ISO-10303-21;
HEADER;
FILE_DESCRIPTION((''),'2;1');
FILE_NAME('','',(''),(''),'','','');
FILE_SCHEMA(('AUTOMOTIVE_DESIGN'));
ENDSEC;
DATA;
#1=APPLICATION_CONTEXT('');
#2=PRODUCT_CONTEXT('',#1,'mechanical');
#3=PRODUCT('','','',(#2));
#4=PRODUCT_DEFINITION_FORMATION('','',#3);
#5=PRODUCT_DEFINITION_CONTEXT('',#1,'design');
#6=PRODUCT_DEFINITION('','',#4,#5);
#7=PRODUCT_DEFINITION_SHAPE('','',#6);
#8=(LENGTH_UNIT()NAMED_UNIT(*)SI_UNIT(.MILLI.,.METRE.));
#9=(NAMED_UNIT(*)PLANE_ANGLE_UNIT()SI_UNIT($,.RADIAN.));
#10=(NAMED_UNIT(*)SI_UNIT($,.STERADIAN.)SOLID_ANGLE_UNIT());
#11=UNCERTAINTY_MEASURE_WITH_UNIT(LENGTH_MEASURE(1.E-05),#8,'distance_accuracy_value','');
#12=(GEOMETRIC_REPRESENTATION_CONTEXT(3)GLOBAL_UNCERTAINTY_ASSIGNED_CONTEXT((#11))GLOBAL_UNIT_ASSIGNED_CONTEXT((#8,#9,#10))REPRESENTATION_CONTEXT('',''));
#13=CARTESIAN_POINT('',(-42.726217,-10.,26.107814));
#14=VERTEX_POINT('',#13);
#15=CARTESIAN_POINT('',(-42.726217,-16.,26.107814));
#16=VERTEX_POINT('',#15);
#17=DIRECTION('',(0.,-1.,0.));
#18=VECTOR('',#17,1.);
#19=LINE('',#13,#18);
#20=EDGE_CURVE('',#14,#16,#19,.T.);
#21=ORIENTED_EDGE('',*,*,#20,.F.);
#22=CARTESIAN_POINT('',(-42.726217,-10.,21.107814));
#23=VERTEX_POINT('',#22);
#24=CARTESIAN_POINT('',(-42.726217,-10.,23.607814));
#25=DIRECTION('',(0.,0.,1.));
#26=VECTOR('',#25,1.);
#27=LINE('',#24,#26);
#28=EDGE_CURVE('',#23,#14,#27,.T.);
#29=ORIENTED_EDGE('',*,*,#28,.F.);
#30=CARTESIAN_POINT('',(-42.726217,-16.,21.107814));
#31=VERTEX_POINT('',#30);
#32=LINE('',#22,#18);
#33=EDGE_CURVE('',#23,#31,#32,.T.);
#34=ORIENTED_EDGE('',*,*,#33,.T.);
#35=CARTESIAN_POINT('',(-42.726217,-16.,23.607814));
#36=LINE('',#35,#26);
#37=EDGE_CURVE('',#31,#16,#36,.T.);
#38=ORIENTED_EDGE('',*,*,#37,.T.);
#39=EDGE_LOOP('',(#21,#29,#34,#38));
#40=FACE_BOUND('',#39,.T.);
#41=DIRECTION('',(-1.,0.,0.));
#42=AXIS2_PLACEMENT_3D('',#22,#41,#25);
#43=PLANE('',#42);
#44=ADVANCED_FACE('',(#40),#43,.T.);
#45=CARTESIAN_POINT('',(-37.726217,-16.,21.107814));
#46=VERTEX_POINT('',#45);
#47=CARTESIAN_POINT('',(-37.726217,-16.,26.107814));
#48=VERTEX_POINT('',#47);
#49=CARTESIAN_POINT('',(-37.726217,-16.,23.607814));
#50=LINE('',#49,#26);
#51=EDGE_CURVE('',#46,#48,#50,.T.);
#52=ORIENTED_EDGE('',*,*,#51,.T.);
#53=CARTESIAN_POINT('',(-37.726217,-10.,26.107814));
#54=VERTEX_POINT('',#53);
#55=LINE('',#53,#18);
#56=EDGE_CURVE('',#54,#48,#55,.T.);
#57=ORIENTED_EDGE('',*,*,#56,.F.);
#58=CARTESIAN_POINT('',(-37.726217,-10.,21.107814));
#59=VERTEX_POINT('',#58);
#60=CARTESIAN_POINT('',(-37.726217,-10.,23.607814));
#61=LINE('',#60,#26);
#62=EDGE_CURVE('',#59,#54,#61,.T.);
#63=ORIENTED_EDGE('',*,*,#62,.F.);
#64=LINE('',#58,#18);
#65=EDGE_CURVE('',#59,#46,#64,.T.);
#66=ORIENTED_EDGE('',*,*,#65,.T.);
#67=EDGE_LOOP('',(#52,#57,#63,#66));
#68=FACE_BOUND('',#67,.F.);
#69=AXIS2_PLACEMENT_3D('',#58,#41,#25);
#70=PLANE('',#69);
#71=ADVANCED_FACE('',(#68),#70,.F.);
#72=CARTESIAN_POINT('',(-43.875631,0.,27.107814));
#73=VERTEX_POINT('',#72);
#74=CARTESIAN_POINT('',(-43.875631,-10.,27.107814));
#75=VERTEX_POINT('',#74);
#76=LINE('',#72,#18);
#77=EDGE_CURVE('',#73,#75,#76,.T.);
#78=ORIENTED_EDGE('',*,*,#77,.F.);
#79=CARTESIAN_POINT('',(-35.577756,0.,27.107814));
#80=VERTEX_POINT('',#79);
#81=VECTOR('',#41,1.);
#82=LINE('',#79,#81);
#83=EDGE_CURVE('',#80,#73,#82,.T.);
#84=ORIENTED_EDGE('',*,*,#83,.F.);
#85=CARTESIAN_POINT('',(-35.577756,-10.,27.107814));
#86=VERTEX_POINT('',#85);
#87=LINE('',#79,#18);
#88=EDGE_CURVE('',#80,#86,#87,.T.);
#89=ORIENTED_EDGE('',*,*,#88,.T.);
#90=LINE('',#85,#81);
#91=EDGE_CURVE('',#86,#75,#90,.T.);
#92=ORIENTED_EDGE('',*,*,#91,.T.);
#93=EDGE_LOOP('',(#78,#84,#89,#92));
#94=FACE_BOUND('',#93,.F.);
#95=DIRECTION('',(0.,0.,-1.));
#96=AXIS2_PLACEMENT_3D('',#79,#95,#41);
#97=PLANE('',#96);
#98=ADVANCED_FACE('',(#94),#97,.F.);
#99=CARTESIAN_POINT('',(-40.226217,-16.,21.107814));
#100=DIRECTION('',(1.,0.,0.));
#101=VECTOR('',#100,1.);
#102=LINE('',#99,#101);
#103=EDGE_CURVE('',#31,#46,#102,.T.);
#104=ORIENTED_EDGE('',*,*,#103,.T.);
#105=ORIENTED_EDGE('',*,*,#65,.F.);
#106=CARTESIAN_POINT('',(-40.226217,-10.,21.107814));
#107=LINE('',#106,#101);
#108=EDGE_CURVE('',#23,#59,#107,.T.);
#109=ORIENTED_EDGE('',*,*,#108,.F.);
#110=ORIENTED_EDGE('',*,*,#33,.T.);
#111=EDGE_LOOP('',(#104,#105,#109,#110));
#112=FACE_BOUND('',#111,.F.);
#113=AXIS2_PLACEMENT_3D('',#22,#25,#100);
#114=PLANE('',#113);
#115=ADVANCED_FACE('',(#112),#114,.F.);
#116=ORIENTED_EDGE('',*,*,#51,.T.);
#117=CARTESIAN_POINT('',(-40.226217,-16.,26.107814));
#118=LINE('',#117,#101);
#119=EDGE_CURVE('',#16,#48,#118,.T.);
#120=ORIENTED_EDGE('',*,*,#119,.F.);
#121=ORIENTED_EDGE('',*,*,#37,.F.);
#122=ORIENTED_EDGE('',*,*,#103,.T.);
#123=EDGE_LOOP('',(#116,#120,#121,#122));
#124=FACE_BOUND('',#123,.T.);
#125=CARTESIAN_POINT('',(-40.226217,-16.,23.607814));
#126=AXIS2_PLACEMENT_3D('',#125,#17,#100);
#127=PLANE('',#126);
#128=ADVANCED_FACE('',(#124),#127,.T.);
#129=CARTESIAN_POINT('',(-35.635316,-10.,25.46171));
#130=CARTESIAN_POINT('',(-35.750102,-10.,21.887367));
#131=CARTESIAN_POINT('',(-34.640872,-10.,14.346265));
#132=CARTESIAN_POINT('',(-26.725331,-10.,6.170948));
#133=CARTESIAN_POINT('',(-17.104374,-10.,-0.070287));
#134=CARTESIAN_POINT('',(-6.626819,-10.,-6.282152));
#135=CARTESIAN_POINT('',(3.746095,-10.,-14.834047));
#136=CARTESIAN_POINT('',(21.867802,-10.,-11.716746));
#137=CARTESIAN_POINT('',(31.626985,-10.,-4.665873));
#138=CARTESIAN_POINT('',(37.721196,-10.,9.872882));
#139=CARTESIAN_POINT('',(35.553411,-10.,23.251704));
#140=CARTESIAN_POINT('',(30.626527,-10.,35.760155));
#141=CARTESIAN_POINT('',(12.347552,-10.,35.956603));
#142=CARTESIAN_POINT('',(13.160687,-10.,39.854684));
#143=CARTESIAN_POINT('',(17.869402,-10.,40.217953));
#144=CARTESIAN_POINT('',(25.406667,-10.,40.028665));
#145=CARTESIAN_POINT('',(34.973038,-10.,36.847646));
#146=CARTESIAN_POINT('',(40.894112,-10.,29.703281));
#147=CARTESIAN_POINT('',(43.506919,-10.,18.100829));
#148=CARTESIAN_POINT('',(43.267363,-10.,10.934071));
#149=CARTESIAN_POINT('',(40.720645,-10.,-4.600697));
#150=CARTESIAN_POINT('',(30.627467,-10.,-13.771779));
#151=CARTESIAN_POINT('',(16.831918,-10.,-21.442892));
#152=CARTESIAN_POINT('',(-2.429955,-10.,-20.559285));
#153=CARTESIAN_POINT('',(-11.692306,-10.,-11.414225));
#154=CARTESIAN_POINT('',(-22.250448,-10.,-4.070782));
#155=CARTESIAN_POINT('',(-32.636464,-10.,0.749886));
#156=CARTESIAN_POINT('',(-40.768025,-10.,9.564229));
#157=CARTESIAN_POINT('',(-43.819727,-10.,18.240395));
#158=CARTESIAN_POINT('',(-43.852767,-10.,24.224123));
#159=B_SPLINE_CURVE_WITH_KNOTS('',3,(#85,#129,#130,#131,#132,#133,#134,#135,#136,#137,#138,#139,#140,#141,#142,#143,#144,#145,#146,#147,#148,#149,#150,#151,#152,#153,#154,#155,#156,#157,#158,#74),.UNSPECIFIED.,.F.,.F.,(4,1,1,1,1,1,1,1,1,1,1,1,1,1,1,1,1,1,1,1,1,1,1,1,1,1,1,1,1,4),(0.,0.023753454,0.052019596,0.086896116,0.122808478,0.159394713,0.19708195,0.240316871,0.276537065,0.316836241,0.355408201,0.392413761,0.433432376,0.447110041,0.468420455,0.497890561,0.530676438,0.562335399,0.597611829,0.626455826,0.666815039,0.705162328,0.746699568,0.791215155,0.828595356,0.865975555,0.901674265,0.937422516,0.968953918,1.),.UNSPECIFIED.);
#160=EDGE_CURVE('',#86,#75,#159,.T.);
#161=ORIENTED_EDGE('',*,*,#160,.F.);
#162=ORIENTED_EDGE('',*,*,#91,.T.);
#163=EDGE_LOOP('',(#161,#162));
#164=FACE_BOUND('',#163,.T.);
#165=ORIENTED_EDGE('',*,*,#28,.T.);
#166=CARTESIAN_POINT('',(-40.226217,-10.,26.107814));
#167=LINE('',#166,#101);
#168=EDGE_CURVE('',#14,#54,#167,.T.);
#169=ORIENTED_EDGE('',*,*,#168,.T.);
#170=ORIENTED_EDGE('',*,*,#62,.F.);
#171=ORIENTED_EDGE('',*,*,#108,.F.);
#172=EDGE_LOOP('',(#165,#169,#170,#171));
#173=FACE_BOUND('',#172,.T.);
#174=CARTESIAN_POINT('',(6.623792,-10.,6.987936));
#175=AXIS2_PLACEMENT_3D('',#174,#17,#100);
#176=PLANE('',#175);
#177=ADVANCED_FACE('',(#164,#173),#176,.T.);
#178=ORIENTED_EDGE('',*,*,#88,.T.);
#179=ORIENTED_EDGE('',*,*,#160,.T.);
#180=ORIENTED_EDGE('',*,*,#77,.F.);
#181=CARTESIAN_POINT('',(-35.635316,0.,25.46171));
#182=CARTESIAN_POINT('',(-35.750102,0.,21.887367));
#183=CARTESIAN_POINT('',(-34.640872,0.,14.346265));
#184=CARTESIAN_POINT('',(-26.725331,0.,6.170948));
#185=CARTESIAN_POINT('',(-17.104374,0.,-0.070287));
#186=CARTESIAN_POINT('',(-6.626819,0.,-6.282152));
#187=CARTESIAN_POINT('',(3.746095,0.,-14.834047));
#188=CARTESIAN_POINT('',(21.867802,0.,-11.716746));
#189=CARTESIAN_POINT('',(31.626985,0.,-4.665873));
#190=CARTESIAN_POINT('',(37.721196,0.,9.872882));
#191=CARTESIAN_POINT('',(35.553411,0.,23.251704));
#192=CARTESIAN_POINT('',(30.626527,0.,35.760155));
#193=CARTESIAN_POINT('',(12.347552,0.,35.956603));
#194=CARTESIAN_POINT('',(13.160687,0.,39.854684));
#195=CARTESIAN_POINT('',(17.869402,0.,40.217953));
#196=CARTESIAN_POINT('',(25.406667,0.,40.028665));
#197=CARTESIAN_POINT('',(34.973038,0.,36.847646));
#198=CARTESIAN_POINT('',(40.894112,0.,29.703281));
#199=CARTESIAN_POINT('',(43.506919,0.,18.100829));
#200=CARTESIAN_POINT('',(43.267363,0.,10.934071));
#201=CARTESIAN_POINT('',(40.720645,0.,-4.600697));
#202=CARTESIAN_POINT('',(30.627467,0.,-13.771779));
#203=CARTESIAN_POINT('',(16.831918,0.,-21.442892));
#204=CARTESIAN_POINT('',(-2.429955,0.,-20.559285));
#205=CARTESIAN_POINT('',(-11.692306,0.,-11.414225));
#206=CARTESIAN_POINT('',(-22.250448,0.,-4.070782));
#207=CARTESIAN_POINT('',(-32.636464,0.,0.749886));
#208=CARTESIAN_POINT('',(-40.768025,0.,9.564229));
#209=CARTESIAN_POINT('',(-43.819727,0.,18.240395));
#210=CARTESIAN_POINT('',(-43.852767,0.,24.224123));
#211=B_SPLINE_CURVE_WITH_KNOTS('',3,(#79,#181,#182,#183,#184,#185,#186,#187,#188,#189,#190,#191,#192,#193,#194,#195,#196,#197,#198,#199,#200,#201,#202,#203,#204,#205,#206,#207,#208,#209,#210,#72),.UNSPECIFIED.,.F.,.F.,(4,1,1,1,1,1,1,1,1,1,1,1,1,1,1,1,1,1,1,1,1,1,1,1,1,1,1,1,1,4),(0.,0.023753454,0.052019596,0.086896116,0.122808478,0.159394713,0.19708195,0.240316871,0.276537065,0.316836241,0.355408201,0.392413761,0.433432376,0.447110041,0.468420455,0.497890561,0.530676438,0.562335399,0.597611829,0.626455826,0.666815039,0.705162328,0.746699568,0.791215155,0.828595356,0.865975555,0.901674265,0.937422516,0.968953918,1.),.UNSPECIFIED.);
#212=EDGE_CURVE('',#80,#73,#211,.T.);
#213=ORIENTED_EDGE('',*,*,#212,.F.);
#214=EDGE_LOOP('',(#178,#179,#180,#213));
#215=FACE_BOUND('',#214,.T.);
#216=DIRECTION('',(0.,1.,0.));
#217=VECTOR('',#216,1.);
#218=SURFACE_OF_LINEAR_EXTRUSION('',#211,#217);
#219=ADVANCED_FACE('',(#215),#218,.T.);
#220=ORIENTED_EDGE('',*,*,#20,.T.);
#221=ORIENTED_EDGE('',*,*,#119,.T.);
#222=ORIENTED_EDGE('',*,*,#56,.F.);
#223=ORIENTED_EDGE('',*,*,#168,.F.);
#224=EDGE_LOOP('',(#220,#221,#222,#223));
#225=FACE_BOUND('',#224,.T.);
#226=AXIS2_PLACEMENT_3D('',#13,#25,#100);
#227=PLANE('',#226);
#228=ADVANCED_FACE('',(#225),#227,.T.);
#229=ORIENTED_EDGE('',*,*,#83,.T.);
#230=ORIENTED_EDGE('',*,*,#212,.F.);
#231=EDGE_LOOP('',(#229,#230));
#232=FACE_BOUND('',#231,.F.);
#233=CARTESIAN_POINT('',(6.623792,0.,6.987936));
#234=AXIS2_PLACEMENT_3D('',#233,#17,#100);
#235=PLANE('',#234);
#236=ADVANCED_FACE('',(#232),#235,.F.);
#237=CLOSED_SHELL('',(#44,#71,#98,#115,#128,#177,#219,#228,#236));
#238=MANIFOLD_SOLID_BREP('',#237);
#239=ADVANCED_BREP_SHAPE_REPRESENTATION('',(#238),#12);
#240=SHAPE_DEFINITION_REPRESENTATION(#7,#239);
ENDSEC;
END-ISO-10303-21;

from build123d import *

# Parameters (mm, degrees)
F1_DEPTH = 10
F2_W     = 5
F2_H     = 5
F3_DEPTH = 6


with BuildPart() as f1:
    # F0 (on Front) → F1 (new body)
    with BuildSketch(Plane.XZ):
        with BuildLine():
            Line((-35.5777555258, 27.1078141265), (-43.8756307894, 27.1078141265))
            add(Edge.make_bspline(
                [(-35.5777555258, 27.1078141265), (-35.6353155353, 25.4617101246), (-35.7501015248, 21.8873666155), (-34.6408716405, 14.3462654854), (-26.7253310249, 6.1709475255), (-17.1043735502, -0.0702874327), (-6.6268193939, -6.282151859), (3.7460945051, -14.8340466928), (21.867801615, -11.7167464957), (31.6269852574, -4.6658728819), (37.721195569, 9.8728824466), (35.5534109153, 23.2517038408), (30.6265268195, 35.7601546812), (12.3475517381, 35.9566028016), (13.1606868009, 39.8546840928), (17.869401804, 40.2179530801), (25.4066668648, 40.0286652757), (34.9730383678, 36.8476460655), (40.8941121677, 29.7032808917), (43.5069194659, 18.1008291278), (43.2673625551, 10.9340710068), (40.7206453071, -4.6006973465), (30.6274667076, -13.7717789758), (16.8319182993, -21.442891817), (-2.4299554997, -20.5592849215), (-11.6923064765, -11.4142254823), (-22.2504483972, -4.0707815119), (-32.6364638894, 0.7498862662), (-40.7680247245, 9.5642287048), (-43.8197271295, 18.2403951507), (-43.8527674087, 24.2241231082), (-43.8756307894, 27.1078141265)],
                knots=[0, 0, 0, 0, 0.0237534537, 0.052019596, 0.0868961157, 0.1228084785, 0.1593947131, 0.1970819497, 0.2403168708, 0.2765370647, 0.3168362409, 0.3554082012, 0.3924137611, 0.4334323764, 0.4471100412, 0.4684204549, 0.4978905608, 0.5306764375, 0.5623353993, 0.5976118289, 0.6264558265, 0.666815039, 0.7051623281, 0.7466995685, 0.7912151554, 0.8285953562, 0.8659755546, 0.9016742649, 0.9374225162, 0.9689539184, 1, 1, 1, 1], degree=3))
        make_face()
    extrude(amount=F1_DEPTH)

    # F2 (on face) → F3 (join)
    with BuildSketch(Plane.XZ.offset(10)):
        with Locations((-40.2262173593, 23.6078141265)):
            Rectangle(F2_W, F2_H)
    extrude(amount=F3_DEPTH)


solid = f1.part
